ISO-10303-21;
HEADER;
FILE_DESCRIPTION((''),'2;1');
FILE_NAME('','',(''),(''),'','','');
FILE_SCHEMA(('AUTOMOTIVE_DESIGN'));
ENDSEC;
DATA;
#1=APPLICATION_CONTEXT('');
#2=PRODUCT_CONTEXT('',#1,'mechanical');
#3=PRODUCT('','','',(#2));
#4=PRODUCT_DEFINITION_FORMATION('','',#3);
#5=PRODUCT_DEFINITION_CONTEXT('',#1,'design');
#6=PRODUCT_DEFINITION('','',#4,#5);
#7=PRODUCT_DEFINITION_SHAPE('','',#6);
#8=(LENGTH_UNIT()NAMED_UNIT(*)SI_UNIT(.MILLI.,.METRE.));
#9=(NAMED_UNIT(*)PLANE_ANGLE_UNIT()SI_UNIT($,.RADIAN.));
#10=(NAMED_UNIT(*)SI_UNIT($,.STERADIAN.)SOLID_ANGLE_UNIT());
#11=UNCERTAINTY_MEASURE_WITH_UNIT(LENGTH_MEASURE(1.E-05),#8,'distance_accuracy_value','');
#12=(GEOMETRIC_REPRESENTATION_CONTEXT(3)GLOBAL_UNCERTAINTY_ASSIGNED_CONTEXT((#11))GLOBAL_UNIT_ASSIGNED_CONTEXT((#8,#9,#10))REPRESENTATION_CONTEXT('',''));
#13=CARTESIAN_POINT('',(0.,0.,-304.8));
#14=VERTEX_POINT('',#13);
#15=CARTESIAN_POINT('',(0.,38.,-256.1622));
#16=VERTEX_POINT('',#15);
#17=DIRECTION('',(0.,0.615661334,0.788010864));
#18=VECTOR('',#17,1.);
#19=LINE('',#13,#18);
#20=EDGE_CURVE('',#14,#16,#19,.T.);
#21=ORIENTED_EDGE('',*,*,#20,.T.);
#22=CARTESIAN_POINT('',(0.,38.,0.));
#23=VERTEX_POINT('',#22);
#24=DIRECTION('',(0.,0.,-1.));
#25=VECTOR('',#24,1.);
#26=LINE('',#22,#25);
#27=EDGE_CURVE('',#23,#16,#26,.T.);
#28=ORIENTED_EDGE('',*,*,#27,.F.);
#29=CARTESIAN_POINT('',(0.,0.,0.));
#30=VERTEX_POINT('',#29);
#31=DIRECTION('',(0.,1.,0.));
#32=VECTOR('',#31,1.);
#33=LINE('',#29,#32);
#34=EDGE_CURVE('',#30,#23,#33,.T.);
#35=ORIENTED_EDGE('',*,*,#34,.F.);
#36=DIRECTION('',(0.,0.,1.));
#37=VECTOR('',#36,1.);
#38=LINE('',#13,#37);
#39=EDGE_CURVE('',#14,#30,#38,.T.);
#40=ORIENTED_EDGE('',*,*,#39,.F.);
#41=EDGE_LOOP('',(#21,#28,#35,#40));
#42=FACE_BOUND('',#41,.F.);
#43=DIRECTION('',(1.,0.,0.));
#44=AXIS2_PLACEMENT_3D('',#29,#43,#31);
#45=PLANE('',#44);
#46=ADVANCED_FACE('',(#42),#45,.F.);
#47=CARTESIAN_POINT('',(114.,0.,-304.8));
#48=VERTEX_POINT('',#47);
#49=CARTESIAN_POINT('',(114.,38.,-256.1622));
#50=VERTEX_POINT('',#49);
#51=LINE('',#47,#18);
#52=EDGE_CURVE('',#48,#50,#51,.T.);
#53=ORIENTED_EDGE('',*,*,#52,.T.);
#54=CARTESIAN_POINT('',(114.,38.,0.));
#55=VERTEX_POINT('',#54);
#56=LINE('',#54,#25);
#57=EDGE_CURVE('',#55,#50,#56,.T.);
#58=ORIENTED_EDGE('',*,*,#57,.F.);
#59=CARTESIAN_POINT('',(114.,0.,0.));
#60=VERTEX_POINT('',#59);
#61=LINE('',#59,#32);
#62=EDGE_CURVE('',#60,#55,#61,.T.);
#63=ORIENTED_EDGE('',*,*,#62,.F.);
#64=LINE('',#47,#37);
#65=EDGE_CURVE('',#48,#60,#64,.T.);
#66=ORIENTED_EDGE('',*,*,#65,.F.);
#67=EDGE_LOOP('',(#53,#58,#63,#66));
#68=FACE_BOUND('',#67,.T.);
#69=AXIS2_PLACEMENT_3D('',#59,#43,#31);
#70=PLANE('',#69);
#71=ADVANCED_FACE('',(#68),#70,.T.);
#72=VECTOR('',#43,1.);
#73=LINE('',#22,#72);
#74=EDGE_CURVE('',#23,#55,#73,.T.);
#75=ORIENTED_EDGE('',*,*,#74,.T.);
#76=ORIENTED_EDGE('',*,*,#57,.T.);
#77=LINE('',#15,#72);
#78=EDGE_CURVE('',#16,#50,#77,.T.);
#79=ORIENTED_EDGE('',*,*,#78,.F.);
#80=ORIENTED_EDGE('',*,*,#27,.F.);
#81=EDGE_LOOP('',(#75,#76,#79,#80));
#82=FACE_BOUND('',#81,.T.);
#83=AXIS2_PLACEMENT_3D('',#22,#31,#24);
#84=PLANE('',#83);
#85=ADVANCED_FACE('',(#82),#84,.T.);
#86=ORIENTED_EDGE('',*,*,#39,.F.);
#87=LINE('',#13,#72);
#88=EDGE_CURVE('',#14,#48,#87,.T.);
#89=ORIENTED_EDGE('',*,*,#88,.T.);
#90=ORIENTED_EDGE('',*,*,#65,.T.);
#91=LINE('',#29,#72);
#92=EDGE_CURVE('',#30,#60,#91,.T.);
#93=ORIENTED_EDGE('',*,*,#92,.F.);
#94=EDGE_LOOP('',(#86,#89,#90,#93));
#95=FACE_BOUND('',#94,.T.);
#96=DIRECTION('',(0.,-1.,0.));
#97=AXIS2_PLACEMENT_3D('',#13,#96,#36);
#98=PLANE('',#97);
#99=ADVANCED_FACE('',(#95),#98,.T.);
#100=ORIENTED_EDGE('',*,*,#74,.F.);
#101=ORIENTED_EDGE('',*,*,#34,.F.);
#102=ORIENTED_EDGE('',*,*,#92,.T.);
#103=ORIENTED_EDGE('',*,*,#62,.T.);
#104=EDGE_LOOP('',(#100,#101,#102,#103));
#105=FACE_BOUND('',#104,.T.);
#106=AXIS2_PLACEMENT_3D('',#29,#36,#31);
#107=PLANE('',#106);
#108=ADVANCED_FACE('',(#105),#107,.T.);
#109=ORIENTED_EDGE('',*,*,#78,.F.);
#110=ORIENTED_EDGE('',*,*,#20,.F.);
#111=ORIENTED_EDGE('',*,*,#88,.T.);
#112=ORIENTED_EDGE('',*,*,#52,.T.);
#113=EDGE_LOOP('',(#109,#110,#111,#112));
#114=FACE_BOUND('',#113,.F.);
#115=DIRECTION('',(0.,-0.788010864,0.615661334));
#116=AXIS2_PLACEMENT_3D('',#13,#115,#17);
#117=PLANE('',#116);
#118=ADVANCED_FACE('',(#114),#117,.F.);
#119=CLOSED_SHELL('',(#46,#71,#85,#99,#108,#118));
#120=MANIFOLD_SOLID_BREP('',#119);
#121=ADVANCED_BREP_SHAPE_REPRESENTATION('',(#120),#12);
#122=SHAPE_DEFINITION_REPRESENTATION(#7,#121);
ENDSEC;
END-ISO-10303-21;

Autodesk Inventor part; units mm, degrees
ref_plane "YZ Plane" through (0, 0, 0) normal (1, 0, 0) x (0, 1, 0)
ref_plane "XZ Plane" through (0, 0, 0) normal (0, 1, 0) x (-1, 0, 0)
ref_plane "XY Plane" through (0, 0, 0) normal (0, 0, 1) x (1, 0, 0)
sketch "Sketch1" plane through (0, 0, 0) normal (1, 0, 0) x (0, 1, 0)
  line L0 (0, 0) -> (38, 0)
  line L1 (38, 0) -> (38, -256.1622)
  line L2 (38.1, -304.8) -> (0, -304.8) construction
  line L3 (0, -304.8) -> (0, 0)
  line L4 (0, -304.8) -> (38, -256.1622)
  dimension "d0" = 38
  dimension "d1" = 304.8
  dimension "d2" = 38
extrude "Extrusion1" add sketch "Sketch1" along normal blind 114
properties part number "2p2psh3" material "Wood (Cherry)"
